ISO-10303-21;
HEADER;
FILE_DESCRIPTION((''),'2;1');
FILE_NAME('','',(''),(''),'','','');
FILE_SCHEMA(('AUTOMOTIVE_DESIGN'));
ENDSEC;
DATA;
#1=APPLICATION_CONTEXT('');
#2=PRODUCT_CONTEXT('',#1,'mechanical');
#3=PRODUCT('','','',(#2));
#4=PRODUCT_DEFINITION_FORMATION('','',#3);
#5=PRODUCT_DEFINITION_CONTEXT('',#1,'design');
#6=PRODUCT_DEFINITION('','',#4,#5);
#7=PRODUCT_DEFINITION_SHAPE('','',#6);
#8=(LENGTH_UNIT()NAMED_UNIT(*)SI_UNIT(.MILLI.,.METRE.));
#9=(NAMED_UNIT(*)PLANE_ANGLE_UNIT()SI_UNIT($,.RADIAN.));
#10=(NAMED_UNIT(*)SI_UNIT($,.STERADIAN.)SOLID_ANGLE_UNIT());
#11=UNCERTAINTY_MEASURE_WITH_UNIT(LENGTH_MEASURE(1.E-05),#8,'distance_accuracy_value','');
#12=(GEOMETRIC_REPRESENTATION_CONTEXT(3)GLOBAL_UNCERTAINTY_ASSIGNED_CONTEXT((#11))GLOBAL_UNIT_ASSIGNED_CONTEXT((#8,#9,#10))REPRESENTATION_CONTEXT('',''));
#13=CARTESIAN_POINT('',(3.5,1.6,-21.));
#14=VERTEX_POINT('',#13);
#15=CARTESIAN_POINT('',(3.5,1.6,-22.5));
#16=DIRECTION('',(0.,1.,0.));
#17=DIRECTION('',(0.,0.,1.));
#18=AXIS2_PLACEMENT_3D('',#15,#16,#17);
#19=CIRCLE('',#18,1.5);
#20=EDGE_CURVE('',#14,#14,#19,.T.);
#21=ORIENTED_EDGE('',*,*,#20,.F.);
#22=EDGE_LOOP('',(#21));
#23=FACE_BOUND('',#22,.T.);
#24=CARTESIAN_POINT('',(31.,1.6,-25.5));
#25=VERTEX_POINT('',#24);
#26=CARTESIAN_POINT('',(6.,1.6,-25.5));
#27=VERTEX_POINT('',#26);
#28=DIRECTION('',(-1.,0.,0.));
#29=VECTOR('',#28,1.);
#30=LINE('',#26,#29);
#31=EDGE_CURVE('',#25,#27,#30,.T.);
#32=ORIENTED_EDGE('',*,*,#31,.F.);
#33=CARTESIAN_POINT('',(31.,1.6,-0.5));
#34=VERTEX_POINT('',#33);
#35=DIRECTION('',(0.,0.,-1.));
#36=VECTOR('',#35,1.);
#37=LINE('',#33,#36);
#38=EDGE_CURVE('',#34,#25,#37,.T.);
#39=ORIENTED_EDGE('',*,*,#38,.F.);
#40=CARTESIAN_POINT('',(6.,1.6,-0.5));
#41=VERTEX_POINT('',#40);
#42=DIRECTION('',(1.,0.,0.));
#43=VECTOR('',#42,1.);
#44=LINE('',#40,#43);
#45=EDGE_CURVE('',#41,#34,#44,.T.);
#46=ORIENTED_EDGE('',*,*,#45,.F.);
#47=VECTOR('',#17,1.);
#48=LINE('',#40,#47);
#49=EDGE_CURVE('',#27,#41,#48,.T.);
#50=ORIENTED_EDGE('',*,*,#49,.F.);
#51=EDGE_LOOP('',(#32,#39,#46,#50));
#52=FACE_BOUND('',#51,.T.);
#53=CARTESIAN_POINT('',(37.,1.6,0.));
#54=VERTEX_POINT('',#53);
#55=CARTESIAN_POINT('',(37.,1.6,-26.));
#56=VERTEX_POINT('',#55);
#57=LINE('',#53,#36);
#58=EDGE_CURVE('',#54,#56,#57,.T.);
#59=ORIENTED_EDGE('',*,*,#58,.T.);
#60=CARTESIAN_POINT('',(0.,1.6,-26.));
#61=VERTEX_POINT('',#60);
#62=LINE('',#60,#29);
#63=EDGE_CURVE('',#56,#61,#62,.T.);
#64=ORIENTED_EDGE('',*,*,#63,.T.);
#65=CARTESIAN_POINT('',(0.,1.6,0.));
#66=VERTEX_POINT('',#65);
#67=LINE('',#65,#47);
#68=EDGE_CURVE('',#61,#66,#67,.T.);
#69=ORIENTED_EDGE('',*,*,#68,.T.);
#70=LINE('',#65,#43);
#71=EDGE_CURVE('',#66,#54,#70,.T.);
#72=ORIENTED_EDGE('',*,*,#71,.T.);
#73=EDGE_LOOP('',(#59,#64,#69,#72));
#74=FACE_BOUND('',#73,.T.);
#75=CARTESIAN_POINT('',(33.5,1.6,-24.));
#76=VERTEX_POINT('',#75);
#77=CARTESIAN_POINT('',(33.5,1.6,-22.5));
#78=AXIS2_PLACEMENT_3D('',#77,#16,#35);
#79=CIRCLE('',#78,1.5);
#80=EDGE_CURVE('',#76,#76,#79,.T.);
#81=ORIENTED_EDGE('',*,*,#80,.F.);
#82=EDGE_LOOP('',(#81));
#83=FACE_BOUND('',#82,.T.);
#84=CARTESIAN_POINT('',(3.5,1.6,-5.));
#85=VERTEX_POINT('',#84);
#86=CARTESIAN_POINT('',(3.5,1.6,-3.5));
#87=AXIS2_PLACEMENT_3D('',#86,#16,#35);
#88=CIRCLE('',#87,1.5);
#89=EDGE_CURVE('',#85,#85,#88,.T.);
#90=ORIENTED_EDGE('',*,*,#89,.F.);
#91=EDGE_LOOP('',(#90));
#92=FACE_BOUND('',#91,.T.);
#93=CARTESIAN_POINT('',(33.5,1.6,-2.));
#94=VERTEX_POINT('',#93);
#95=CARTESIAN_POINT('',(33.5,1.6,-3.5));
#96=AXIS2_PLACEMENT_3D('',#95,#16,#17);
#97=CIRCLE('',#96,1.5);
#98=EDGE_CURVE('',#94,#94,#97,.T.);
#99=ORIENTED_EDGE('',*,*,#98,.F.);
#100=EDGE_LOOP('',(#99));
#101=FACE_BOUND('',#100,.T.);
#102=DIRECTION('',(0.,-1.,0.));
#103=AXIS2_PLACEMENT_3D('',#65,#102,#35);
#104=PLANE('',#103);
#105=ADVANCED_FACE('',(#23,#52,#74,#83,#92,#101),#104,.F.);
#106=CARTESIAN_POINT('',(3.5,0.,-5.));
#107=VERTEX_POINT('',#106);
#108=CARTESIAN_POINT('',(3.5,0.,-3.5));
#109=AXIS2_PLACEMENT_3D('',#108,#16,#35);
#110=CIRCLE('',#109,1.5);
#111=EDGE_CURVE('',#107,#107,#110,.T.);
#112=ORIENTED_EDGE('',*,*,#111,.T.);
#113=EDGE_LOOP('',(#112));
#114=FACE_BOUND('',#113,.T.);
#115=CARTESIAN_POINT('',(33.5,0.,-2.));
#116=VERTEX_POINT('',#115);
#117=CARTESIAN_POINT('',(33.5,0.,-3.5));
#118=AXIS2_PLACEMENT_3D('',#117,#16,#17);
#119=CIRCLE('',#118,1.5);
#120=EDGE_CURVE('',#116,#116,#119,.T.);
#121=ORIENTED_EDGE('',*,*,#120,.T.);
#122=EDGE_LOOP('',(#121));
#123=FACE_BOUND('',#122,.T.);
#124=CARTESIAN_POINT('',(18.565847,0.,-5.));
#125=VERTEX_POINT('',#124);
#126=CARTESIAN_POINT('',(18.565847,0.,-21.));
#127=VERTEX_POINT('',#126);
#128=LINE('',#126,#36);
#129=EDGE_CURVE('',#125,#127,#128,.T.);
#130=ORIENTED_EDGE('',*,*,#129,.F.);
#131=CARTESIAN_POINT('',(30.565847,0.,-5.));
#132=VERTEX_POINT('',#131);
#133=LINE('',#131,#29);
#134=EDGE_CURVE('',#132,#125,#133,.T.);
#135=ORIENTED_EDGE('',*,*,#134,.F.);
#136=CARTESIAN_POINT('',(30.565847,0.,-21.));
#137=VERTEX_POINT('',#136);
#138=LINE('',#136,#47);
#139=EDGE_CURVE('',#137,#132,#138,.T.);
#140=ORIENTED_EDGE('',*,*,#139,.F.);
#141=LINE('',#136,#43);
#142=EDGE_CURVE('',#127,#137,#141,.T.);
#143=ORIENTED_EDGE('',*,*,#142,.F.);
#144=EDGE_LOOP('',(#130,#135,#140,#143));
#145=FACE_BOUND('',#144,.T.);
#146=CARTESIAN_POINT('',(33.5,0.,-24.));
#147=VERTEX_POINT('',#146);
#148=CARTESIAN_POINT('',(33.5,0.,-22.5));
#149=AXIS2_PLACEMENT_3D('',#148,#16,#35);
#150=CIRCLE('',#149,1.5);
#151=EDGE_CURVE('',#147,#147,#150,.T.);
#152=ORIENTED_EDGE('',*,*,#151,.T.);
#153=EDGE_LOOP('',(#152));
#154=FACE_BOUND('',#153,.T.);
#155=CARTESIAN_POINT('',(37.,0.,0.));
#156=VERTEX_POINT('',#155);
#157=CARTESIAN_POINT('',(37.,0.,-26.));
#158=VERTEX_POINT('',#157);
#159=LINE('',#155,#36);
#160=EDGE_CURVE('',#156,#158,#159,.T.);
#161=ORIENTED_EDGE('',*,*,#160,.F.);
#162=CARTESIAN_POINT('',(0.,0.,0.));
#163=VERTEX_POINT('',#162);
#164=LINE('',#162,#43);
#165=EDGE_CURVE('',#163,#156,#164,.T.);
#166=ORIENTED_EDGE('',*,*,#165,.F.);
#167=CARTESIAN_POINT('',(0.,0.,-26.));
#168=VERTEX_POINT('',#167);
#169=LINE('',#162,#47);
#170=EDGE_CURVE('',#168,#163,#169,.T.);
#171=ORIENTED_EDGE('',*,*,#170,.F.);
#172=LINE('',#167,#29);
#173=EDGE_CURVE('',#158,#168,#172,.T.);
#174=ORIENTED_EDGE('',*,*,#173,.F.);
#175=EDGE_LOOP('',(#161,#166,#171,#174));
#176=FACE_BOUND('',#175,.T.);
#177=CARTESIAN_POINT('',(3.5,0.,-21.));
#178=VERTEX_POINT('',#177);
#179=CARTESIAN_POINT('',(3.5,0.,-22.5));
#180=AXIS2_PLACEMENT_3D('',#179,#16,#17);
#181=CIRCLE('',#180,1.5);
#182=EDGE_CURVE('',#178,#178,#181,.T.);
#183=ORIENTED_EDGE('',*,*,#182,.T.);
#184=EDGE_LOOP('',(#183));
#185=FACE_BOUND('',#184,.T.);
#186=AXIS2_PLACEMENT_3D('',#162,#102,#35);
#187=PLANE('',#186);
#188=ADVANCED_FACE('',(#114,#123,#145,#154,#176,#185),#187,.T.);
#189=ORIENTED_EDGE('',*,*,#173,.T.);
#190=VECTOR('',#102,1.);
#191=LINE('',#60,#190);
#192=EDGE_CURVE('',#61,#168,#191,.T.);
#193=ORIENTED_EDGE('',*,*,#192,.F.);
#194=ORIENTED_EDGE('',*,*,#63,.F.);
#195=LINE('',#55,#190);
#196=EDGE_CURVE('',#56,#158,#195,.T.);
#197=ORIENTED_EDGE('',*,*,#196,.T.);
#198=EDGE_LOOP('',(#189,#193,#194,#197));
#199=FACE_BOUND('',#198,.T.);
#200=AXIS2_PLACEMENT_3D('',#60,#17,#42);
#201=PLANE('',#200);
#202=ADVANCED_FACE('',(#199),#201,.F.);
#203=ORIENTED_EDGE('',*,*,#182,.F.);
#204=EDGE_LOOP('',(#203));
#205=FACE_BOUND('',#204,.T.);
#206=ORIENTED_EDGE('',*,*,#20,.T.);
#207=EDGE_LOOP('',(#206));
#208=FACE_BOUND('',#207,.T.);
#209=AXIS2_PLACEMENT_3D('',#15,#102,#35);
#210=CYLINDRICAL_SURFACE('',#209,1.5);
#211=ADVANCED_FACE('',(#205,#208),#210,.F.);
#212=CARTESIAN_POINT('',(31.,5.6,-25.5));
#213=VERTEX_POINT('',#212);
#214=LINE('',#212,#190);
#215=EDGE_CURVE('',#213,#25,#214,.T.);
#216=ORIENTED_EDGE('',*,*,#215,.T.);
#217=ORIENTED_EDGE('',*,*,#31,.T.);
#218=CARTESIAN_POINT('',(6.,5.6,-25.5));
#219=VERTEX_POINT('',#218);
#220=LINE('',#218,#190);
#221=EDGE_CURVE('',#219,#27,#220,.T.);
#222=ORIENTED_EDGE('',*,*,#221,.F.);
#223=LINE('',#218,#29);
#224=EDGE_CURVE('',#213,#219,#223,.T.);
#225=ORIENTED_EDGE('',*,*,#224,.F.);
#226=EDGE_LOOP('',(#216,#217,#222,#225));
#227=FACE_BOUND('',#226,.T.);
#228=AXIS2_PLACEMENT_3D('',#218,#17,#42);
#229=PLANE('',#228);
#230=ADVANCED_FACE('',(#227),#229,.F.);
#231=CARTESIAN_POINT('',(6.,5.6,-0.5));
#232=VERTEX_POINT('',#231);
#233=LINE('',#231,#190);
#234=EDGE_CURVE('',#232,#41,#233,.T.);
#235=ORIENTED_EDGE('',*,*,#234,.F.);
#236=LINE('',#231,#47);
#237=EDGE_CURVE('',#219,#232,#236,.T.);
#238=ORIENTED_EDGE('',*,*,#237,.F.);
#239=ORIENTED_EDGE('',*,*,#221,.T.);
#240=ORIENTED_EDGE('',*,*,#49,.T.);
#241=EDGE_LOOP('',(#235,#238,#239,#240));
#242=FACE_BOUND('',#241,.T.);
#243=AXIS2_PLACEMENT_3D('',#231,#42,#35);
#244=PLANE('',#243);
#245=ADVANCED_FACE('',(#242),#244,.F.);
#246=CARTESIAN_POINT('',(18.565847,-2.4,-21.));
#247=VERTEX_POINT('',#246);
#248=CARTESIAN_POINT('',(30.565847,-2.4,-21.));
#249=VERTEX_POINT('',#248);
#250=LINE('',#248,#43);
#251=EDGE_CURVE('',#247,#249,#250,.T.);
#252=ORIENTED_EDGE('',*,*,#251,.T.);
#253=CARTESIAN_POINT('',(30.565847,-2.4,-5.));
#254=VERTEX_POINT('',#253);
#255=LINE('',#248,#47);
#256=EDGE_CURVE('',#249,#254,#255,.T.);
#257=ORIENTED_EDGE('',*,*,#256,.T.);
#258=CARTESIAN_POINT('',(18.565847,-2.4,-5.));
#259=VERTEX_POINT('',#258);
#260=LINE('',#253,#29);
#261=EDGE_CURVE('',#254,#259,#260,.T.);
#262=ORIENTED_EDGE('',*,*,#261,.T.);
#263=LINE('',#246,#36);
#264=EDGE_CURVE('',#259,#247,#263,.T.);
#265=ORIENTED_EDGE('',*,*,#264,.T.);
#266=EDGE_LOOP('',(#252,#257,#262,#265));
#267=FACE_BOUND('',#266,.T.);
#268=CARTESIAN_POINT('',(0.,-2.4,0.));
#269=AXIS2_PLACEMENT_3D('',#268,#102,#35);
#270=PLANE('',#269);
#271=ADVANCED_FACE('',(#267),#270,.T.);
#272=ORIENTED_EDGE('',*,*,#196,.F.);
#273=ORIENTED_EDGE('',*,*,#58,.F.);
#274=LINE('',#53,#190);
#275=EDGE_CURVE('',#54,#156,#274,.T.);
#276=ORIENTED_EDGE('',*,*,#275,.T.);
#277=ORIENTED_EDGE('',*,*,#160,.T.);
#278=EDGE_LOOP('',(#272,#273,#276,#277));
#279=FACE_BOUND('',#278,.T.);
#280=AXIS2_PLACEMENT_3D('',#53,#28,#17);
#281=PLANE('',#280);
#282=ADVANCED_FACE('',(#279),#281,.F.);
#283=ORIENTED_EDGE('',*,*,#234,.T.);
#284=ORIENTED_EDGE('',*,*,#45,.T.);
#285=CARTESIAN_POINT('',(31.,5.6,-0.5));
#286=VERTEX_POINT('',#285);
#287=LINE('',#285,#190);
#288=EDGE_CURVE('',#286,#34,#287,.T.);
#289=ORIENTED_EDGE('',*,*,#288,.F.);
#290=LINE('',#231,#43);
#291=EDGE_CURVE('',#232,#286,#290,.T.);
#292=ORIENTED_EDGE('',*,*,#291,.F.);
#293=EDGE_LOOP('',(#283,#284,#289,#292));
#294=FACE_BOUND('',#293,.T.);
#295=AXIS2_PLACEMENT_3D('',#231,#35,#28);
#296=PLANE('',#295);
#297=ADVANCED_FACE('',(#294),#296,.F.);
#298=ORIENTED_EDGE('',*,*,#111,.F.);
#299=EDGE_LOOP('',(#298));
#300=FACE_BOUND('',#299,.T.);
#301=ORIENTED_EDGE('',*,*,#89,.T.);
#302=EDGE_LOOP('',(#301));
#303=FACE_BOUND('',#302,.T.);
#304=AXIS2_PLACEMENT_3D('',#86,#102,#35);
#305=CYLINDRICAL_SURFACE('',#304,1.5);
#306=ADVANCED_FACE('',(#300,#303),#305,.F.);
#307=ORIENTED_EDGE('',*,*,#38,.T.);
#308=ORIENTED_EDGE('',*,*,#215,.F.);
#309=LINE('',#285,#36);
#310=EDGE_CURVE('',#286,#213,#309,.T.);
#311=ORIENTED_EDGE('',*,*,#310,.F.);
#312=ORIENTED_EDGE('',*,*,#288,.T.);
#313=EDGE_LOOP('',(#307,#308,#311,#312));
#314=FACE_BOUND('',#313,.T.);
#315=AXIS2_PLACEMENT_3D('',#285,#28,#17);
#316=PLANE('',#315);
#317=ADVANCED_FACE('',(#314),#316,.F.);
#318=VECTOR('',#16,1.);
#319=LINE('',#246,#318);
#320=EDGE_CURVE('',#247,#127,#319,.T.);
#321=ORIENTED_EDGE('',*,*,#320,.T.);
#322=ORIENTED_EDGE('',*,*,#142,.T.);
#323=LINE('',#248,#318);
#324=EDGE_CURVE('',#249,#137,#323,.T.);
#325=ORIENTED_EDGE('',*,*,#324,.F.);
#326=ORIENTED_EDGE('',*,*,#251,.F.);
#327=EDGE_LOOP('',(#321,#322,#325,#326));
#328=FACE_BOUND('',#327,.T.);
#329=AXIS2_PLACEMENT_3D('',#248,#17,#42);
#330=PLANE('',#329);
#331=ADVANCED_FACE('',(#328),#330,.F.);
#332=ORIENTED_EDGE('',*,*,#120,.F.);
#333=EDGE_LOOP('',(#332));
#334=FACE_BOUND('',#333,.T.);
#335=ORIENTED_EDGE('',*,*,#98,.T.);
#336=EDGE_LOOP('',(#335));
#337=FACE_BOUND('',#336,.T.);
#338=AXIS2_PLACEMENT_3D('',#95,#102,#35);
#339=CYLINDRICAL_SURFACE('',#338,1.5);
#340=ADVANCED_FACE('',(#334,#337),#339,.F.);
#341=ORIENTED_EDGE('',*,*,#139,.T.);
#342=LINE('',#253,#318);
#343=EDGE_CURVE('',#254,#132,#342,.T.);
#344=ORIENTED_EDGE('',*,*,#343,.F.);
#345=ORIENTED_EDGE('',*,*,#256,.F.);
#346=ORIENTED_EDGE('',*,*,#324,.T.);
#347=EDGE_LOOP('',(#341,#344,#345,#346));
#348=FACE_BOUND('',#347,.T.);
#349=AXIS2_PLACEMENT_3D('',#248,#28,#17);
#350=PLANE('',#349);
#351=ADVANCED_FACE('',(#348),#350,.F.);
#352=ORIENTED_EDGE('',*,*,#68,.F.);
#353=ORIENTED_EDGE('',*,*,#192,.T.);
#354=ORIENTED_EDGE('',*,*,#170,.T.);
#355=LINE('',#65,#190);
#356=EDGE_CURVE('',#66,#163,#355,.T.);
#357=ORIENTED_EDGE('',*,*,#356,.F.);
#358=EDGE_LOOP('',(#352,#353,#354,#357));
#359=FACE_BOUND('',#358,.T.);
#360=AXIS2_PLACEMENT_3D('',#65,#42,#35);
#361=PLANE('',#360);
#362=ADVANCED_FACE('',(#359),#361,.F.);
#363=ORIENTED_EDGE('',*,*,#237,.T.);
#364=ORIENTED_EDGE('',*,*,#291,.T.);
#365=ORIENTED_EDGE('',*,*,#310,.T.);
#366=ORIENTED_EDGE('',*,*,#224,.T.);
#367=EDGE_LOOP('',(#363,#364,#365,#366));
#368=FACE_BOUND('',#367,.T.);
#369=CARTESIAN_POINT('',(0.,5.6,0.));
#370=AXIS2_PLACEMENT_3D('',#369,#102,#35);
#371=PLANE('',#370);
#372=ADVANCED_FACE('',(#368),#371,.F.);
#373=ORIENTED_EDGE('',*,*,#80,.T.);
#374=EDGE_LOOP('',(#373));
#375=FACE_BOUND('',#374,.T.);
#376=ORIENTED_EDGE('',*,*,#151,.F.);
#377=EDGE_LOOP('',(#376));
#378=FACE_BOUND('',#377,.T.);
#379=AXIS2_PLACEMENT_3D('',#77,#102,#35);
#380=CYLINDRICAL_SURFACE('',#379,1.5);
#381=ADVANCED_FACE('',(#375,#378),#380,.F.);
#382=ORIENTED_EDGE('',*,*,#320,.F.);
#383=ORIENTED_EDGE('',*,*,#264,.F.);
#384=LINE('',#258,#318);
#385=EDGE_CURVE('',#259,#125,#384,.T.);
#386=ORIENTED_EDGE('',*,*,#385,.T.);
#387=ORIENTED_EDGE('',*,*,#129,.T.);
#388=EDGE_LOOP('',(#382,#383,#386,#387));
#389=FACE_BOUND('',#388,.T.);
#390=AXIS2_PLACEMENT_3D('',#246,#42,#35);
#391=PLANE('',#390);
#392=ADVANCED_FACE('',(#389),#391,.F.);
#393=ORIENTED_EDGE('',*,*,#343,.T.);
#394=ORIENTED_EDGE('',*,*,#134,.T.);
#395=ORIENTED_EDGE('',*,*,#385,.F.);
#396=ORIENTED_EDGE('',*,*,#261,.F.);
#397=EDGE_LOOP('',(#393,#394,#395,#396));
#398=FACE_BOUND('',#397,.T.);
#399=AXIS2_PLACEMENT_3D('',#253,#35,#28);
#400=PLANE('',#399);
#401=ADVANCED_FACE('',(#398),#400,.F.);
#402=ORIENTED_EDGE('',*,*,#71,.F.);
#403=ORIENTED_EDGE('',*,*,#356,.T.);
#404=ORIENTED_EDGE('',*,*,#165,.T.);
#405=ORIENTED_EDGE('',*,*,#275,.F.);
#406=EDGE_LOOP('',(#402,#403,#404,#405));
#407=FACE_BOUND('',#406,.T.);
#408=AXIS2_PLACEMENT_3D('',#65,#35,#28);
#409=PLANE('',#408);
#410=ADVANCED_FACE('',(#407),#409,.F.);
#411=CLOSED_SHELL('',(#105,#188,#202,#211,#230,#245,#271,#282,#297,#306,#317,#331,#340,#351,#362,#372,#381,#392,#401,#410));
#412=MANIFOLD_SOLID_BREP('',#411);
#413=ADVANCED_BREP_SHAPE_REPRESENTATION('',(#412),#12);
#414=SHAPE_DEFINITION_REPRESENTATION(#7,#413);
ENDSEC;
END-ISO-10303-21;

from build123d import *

# Parameters (mm, degrees)
SKETCH1_W           = 37
SKETCH1_H           = 26
SKETCH1_R           = 1.5
BOSS_EXTRUDE1_DEPTH = 1.6
SKETCH2_W           = 25
SKETCH2_H           = 25
BOSS_EXTRUDE2_DEPTH = 4
SKETCH3_W           = 12
SKETCH3_H           = 16
BOSS_EXTRUDE3_DEPTH = 2.4


with BuildPart() as part:
    # Sketch1 → Boss-Extrude1 (new body)
    with BuildSketch(Plane(origin=(0, 0, 0), x_dir=(1, 0, 0), z_dir=(0, 1, 0))):
        with Locations((18.5, 13)):
            Rectangle(SKETCH1_W, SKETCH1_H)
        with Locations(Location((3.5, 22.5, 0), (0, 0, 270))):
            Circle(SKETCH1_R, mode=Mode.SUBTRACT)
        with Locations(Location((33.5, 22.5, 0), (0, 0, 90))):
            Circle(SKETCH1_R, mode=Mode.SUBTRACT)
        with Locations(Location((33.5, 3.5, 0), (0, 0, 270))):
            Circle(SKETCH1_R, mode=Mode.SUBTRACT)
        with Locations(Location((3.5, 3.5, 0), (0, 0, 90))):
            Circle(SKETCH1_R, mode=Mode.SUBTRACT)
    extrude(amount=BOSS_EXTRUDE1_DEPTH)

    # Sketch2 → Boss-Extrude2 (add)
    with BuildSketch(Plane(origin=(0, 1.6, 0), x_dir=(1, 0, 0), z_dir=(0, 1, 0))):
        with Locations((18.5, 13)):
            Rectangle(SKETCH2_W, SKETCH2_H)
    extrude(amount=BOSS_EXTRUDE2_DEPTH)

    # Sketch3 → Boss-Extrude3 (add)
    with BuildSketch(Plane.XZ):
        with Locations((24.565846611, -13)):
            Rectangle(SKETCH3_W, SKETCH3_H)
    extrude(amount=BOSS_EXTRUDE3_DEPTH)


solid = part.part
